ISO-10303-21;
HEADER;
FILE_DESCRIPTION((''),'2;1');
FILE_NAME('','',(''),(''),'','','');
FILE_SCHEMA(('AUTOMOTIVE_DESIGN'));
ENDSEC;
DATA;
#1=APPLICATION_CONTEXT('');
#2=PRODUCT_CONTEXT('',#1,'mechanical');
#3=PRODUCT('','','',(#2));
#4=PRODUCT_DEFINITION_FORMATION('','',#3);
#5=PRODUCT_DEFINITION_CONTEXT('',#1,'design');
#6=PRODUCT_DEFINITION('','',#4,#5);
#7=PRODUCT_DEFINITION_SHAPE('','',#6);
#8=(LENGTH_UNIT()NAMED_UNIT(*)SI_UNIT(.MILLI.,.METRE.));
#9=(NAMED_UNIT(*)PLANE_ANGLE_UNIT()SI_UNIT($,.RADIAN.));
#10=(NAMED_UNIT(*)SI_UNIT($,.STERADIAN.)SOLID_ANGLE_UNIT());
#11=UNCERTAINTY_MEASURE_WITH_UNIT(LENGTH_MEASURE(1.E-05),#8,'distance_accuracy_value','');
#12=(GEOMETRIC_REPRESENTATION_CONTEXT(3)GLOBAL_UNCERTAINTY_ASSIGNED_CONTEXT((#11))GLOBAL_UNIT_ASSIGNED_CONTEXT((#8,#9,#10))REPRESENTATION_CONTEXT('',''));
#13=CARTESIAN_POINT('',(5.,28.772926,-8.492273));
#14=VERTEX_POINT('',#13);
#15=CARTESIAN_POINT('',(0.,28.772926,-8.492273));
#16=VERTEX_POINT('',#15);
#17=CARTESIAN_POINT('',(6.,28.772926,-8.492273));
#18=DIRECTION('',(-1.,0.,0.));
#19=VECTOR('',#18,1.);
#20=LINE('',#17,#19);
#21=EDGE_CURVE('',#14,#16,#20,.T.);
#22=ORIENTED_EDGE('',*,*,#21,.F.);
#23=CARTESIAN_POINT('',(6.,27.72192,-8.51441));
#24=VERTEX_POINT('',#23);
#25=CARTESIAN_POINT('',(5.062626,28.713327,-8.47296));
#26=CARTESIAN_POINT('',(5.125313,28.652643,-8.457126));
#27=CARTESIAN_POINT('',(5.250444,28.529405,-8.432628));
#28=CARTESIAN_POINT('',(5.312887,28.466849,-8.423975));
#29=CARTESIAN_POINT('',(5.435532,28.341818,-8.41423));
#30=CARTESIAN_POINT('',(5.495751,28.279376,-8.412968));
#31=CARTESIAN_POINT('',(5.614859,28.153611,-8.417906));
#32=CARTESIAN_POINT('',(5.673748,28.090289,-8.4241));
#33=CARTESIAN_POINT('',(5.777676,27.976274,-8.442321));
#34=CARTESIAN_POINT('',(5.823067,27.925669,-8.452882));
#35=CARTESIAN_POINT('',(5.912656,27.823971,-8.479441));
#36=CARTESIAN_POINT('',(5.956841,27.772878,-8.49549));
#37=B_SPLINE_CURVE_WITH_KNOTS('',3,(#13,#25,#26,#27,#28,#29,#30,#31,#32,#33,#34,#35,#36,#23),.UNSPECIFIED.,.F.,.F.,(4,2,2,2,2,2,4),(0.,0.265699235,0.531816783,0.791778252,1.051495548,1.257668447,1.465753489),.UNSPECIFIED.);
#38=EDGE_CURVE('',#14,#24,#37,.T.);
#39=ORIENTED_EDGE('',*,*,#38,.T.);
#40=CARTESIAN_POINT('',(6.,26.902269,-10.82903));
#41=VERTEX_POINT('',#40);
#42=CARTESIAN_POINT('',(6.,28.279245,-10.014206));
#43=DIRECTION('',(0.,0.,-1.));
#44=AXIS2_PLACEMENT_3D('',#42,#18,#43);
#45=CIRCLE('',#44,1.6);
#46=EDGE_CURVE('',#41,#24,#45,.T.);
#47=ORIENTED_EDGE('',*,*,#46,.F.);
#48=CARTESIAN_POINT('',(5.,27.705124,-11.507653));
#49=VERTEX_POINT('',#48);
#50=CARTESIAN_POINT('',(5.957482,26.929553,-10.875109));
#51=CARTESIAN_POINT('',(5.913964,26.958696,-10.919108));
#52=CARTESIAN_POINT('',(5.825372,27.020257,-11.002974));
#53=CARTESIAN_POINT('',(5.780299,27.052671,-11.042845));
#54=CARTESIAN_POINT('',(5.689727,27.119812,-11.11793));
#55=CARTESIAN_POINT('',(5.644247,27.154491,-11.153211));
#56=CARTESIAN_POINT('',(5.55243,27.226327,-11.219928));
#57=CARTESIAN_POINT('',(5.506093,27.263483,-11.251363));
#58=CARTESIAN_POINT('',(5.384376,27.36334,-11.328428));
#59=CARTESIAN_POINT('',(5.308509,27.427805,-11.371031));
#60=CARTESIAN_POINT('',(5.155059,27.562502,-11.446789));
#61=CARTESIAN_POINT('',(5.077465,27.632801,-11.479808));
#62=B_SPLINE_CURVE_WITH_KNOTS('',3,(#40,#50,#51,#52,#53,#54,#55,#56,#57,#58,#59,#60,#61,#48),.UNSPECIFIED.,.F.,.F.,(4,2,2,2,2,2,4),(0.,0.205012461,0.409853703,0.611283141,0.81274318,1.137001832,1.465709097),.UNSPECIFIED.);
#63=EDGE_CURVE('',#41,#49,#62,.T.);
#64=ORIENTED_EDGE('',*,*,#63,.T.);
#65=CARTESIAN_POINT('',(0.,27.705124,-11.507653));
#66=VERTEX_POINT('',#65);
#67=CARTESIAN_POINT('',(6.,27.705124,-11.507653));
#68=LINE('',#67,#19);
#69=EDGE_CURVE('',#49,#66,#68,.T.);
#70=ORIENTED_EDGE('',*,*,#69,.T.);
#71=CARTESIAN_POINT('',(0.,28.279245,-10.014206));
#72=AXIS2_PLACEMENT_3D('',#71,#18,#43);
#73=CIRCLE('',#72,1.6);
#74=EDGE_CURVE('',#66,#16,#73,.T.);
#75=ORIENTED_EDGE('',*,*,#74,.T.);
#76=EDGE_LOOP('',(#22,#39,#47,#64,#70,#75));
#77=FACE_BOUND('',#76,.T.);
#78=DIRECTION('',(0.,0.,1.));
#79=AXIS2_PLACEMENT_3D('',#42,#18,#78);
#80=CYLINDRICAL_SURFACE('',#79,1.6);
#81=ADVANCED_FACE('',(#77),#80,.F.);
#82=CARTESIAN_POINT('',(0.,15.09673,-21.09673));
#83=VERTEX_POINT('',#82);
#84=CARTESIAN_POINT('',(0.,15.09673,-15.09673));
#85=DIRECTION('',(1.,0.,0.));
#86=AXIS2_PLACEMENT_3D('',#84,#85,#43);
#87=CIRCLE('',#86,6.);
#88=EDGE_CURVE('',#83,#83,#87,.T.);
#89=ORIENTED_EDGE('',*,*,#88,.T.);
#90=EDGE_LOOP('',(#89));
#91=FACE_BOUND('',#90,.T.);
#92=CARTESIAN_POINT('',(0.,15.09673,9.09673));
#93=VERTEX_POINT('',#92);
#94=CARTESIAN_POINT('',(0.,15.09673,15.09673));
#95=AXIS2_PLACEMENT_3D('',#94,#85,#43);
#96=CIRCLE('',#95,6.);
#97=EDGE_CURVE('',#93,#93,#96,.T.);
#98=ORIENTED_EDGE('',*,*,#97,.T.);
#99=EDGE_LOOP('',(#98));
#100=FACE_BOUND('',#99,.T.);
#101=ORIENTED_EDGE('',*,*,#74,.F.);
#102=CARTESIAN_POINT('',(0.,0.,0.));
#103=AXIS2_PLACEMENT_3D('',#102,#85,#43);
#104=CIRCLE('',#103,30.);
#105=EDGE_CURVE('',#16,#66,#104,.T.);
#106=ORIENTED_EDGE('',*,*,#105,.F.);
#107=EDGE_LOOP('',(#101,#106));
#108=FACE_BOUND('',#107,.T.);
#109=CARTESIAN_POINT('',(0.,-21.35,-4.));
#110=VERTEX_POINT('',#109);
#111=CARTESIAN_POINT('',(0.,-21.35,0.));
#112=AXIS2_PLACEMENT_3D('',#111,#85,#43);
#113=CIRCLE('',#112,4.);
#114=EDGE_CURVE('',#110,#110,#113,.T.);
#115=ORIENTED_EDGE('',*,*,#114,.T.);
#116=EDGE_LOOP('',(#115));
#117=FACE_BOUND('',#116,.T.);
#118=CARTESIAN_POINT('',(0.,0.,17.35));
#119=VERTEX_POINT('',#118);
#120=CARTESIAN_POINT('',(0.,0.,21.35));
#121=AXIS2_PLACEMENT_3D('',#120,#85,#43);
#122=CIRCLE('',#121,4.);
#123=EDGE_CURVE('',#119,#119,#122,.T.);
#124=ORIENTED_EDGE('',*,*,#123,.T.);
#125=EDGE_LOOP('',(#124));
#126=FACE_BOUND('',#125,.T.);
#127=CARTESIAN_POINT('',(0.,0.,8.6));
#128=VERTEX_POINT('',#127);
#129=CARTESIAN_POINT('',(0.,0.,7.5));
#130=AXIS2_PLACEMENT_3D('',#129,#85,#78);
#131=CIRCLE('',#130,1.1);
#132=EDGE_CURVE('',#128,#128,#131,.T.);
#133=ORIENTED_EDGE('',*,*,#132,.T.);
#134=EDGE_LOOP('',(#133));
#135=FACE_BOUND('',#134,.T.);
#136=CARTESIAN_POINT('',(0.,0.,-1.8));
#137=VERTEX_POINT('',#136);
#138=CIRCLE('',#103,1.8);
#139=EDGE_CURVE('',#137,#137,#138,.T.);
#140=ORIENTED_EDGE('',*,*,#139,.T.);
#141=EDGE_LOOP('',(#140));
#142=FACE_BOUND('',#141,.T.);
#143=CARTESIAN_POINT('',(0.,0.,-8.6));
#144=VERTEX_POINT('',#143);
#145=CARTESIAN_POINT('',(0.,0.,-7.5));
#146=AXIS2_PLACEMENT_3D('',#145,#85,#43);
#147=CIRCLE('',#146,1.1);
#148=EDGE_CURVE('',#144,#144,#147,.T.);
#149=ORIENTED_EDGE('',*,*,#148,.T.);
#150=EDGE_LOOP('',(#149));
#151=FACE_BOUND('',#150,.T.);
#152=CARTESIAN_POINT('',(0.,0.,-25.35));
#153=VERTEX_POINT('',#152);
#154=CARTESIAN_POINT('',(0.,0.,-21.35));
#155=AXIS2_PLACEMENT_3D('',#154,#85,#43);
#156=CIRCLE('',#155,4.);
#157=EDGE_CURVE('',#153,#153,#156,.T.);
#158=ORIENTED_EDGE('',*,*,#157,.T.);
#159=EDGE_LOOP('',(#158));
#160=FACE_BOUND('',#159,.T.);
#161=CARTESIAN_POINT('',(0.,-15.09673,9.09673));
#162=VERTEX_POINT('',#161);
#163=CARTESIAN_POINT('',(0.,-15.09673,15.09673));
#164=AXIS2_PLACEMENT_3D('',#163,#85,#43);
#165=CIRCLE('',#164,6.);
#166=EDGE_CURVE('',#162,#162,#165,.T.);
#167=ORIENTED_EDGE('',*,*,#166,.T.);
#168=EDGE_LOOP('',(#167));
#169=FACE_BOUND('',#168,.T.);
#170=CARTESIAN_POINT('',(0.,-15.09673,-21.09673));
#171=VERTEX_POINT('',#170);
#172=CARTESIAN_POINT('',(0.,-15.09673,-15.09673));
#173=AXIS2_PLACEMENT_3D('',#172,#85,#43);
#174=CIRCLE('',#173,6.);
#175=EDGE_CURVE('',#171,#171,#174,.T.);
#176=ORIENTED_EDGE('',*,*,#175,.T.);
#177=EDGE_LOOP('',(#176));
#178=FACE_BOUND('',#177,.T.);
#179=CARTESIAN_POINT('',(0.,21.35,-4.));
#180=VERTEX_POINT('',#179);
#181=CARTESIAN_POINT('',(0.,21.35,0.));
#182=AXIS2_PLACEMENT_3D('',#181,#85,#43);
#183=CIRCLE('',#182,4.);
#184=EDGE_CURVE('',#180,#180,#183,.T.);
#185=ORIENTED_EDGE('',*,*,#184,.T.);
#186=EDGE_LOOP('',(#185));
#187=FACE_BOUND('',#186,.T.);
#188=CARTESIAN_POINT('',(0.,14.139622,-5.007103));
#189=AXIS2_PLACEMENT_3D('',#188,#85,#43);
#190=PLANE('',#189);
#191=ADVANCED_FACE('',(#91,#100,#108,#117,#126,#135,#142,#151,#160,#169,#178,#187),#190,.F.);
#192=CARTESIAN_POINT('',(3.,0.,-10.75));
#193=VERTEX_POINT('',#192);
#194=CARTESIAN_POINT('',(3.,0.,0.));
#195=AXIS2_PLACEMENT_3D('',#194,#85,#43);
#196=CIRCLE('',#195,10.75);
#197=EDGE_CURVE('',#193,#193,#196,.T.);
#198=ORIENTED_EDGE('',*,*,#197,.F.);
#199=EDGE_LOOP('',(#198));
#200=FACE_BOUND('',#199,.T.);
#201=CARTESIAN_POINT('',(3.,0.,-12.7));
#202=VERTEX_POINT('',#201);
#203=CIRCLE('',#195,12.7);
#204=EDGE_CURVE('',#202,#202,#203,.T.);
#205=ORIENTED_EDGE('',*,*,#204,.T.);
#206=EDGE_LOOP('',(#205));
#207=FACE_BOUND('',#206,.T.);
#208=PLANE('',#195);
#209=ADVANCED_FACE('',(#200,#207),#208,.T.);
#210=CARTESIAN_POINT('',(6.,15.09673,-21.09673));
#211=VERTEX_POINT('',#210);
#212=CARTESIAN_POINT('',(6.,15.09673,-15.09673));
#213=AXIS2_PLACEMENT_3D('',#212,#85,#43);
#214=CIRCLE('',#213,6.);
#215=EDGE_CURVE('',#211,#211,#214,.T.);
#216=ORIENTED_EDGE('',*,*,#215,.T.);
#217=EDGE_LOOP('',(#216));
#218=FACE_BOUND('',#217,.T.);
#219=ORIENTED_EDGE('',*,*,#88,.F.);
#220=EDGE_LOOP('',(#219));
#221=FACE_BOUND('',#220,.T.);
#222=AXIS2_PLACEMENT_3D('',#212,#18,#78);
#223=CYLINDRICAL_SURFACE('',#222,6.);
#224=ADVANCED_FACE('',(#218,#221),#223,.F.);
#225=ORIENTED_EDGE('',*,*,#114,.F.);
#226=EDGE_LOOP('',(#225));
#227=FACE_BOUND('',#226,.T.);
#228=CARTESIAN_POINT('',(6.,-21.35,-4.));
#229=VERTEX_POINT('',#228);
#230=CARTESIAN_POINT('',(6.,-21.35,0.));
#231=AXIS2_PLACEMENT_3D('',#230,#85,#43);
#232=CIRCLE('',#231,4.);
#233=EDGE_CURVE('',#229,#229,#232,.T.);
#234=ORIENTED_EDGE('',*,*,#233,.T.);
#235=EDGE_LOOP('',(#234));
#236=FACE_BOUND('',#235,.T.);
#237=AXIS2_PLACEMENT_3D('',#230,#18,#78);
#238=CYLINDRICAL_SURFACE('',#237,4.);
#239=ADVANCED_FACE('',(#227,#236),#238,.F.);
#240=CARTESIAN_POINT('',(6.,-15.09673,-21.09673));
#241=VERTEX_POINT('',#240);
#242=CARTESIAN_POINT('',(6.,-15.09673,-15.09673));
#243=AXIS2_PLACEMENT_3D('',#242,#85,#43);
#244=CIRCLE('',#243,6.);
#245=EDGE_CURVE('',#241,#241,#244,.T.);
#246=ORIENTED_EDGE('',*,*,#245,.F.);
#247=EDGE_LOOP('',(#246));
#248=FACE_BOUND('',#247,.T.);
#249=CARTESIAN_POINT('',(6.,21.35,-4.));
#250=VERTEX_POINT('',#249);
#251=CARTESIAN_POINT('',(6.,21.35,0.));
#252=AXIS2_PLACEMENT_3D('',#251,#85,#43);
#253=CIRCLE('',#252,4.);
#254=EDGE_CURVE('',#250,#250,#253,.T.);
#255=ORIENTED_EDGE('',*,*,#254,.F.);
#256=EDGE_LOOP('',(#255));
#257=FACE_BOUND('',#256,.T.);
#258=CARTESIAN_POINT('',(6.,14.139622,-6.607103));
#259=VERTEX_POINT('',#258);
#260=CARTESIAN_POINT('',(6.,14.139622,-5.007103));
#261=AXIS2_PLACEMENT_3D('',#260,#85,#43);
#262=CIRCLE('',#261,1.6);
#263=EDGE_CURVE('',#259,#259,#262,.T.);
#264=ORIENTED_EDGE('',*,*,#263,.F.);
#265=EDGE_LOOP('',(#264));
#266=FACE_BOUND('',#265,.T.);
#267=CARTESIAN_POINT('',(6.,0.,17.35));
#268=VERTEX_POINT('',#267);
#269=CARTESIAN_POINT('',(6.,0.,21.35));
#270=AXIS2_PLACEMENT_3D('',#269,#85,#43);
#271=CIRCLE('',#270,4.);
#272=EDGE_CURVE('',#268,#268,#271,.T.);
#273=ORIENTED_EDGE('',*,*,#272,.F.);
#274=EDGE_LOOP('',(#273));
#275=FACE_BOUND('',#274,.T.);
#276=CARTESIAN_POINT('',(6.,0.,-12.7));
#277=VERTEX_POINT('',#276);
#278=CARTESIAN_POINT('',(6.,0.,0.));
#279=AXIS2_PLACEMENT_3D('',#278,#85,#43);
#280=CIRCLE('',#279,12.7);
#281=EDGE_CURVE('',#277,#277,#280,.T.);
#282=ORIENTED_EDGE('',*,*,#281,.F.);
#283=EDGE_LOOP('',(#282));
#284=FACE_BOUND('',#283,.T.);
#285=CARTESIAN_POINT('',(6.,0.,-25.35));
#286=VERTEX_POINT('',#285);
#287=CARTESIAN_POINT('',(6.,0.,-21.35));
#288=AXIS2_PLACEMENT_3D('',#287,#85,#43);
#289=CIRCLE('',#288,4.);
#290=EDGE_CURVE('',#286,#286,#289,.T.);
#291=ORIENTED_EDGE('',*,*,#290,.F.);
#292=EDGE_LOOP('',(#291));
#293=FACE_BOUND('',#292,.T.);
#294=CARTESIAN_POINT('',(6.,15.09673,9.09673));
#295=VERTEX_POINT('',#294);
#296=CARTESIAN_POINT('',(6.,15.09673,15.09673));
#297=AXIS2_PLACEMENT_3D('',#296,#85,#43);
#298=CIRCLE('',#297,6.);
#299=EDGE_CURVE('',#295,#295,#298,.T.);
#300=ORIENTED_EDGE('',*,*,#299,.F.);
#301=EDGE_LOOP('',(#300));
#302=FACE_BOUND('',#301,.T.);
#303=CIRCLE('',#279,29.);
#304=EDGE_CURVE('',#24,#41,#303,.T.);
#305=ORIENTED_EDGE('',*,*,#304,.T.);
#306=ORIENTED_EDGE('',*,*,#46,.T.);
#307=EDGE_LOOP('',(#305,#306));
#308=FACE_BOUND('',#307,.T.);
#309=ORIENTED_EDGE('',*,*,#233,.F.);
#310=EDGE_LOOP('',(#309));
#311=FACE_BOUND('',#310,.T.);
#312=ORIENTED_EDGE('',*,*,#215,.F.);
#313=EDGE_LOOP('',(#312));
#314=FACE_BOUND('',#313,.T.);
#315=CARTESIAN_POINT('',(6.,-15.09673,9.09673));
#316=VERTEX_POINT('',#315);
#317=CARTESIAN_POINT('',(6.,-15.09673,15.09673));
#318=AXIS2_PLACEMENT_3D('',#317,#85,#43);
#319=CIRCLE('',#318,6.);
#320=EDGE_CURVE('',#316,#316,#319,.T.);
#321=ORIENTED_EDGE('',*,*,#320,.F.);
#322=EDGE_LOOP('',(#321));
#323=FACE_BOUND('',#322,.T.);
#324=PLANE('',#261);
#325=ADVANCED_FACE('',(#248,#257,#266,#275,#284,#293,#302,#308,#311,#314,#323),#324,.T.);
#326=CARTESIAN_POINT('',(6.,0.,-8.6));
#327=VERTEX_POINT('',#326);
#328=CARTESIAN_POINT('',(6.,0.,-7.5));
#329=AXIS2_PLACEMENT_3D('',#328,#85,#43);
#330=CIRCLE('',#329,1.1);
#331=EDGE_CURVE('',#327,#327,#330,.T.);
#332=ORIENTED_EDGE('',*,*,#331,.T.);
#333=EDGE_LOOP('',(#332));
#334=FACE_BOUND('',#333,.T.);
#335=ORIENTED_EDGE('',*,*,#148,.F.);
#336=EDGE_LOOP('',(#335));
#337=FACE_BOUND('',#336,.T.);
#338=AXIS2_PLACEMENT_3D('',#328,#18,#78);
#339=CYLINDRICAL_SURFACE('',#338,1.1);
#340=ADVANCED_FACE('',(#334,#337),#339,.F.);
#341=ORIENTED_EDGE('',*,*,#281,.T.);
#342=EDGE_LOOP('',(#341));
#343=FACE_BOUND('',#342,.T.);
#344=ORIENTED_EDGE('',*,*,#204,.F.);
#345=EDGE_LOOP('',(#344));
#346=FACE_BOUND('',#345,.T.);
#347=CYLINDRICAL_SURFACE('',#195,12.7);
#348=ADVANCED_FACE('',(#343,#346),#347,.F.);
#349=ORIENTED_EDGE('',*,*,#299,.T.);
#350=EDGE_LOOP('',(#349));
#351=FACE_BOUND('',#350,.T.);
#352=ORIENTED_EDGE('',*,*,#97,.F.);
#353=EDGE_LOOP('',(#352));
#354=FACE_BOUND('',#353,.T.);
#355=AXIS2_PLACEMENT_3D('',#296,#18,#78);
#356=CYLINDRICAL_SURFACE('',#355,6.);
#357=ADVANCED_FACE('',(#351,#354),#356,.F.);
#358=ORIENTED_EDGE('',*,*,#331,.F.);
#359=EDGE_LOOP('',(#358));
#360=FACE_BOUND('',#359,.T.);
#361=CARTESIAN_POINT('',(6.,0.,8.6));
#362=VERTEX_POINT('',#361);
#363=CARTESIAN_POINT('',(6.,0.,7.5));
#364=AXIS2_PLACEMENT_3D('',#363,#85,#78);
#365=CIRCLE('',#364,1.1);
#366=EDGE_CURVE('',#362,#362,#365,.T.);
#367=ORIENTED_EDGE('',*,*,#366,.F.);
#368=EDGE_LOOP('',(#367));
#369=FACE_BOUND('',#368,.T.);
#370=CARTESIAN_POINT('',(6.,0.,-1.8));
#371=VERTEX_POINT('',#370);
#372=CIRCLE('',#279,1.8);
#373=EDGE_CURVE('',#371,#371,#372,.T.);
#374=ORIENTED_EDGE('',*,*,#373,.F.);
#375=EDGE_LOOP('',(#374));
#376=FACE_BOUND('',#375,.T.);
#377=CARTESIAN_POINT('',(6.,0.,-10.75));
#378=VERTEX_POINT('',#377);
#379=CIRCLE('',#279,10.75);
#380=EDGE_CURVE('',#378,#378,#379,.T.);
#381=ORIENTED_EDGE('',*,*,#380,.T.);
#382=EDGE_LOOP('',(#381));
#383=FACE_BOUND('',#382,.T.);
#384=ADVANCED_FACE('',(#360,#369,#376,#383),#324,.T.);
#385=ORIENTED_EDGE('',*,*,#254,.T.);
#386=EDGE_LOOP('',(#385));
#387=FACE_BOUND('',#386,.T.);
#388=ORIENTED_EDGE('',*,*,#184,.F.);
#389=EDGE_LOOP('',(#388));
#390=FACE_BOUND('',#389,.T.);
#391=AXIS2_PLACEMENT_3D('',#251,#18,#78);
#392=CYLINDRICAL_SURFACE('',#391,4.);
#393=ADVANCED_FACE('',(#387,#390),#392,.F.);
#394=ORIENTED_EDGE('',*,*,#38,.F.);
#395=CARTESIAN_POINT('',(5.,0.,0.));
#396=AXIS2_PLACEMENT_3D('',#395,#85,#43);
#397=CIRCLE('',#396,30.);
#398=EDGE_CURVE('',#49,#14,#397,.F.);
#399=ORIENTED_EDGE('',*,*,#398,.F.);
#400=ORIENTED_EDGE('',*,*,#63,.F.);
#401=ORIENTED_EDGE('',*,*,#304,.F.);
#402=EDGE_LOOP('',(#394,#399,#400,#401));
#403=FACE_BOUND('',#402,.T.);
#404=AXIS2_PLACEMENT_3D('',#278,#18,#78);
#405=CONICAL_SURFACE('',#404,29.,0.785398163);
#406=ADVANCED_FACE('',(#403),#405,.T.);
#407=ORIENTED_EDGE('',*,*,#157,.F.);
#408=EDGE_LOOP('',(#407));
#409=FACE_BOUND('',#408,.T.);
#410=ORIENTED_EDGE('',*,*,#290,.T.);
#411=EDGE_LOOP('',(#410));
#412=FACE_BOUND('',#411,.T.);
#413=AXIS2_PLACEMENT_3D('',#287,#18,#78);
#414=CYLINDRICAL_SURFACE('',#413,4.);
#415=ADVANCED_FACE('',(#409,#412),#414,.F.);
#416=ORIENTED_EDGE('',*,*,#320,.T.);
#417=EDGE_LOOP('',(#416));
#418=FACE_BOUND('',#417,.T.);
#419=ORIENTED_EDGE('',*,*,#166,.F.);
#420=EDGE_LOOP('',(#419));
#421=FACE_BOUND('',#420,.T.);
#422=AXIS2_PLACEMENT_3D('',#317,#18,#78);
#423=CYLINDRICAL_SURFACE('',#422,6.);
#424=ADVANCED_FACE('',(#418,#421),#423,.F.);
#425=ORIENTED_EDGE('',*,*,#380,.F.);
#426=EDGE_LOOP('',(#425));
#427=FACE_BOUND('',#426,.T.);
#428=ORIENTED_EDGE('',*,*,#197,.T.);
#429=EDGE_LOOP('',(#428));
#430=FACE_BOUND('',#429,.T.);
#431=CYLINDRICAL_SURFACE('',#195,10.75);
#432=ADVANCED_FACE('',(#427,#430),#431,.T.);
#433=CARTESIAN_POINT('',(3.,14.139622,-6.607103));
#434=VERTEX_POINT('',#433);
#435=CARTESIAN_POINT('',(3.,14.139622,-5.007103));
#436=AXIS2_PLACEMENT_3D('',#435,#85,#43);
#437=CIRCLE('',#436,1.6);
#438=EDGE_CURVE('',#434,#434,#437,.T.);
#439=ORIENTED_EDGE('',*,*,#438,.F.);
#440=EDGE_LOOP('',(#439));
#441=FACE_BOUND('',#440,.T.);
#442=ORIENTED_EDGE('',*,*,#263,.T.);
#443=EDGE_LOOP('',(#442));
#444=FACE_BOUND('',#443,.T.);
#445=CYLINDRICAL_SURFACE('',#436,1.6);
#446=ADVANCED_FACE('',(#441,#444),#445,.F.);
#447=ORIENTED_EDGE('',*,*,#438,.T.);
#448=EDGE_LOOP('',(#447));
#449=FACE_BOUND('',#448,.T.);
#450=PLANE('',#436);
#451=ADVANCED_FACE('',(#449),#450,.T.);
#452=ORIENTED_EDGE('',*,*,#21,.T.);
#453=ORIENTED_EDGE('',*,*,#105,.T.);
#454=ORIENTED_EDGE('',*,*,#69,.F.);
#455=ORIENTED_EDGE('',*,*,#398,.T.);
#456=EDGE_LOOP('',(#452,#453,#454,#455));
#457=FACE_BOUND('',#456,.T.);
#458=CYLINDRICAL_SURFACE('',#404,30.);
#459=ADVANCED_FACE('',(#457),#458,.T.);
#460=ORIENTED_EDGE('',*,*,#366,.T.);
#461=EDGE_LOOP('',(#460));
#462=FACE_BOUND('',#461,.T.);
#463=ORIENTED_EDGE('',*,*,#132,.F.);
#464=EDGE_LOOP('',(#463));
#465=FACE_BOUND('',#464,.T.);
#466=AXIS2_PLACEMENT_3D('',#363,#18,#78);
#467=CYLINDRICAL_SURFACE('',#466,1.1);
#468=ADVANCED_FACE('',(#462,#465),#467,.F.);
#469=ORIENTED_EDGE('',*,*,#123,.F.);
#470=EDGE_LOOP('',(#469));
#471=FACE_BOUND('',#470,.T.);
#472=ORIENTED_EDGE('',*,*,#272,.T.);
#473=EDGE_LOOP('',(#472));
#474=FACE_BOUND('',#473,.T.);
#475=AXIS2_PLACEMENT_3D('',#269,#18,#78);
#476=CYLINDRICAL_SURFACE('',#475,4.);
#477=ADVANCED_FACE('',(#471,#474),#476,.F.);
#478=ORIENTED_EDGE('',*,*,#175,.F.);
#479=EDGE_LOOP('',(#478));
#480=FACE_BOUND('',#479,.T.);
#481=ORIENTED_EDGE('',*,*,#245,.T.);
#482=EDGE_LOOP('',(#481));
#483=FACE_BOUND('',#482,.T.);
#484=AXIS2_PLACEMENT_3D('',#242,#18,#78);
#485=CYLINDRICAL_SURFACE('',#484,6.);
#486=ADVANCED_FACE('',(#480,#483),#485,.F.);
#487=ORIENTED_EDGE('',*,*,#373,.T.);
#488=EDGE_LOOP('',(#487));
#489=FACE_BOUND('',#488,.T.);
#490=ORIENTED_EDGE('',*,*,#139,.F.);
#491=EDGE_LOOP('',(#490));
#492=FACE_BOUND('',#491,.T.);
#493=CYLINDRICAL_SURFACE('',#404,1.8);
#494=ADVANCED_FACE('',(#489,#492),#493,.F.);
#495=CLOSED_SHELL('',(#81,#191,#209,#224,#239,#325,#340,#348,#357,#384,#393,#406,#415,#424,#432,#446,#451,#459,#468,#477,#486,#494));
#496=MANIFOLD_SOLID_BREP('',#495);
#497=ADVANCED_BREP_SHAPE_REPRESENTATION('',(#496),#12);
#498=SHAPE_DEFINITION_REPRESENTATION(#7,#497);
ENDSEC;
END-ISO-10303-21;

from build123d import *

# Parameters (mm, degrees)
ESQUISSE1_R             = 1.8
ESQUISSE1_R_2           = 1.1
ESQUISSE1_R_3           = 6
ESQUISSE1_R_4           = 4
BOSS_EXTRU_1_DEPTH      = 6
ESQUISSE2_R             = 12.7
ESQUISSE2_R_2           = 10.75
ESQUISSE2_R_3           = 1.6
ENL_V_MAT_EXTRU_1_DEPTH = 3
CHANFREIN1_SIZE         = 1


with BuildPart() as part:
    # Esquisse1 → Boss.-Extru.1 (new body)
    with BuildSketch(Plane(origin=(0, 0, 0), x_dir=(0, 0, -1), z_dir=(1, 0, 0))):
        with BuildLine():
            ThreePointArc((8.492273319, 28.772926404), (-10.014205777, -28.279244733), (11.507653383, 27.70512432))
            ThreePointArc((11.507653383, 27.70512432), (9.480114802, 26.771018347), (8.492273319, 28.772926404))
        make_face()
        Circle(ESQUISSE1_R, mode=Mode.SUBTRACT)
        with Locations((7.5, 0)):
            Circle(ESQUISSE1_R_2, mode=Mode.SUBTRACT)
        with Locations(Location((-7.5, 0, 0), (0, 0, 180))):  # turned: the seam where the file's is
            Circle(ESQUISSE1_R_2, mode=Mode.SUBTRACT)
        with Locations((15.096729778, -15.096729778)):
            Circle(ESQUISSE1_R_3, mode=Mode.SUBTRACT)
        with Locations((21.35, 0)):
            Circle(ESQUISSE1_R_4, mode=Mode.SUBTRACT)
        with Locations((15.096729778, 15.096729778)):
            Circle(ESQUISSE1_R_3, mode=Mode.SUBTRACT)
        with Locations((0, 21.35)):
            Circle(ESQUISSE1_R_4, mode=Mode.SUBTRACT)
        with Locations((-15.096729778, -15.096729778)):
            Circle(ESQUISSE1_R_3, mode=Mode.SUBTRACT)
        with Locations((0, -21.35)):
            Circle(ESQUISSE1_R_4, mode=Mode.SUBTRACT)
        with Locations((-15.096729778, 15.096729778)):
            Circle(ESQUISSE1_R_3, mode=Mode.SUBTRACT)
        with Locations((-21.35, 0)):
            Circle(ESQUISSE1_R_4, mode=Mode.SUBTRACT)
    extrude(amount=BOSS_EXTRU_1_DEPTH)

    # Esquisse2 → Enlèv. mat.-Extru.1 (cut)
    with BuildSketch(Plane(origin=(6, 0, 0), x_dir=(0, 0, -1), z_dir=(1, 0, 0))):
        Circle(ESQUISSE2_R)
        Circle(ESQUISSE2_R_2, mode=Mode.SUBTRACT)
        with Locations((5.007102889, 14.139622366)):
            Circle(ESQUISSE2_R_3)
    extrude(amount=-ENL_V_MAT_EXTRU_1_DEPTH, mode=Mode.SUBTRACT)

    # Chanfrein1
    chanfrein1_edges = [part.edges().sort_by_distance(p)[0] for p in [
        (6, -28.279244733, 10.014205777),
    ]]
    chamfer(chanfrein1_edges, length=CHANFREIN1_SIZE)


solid = part.part
